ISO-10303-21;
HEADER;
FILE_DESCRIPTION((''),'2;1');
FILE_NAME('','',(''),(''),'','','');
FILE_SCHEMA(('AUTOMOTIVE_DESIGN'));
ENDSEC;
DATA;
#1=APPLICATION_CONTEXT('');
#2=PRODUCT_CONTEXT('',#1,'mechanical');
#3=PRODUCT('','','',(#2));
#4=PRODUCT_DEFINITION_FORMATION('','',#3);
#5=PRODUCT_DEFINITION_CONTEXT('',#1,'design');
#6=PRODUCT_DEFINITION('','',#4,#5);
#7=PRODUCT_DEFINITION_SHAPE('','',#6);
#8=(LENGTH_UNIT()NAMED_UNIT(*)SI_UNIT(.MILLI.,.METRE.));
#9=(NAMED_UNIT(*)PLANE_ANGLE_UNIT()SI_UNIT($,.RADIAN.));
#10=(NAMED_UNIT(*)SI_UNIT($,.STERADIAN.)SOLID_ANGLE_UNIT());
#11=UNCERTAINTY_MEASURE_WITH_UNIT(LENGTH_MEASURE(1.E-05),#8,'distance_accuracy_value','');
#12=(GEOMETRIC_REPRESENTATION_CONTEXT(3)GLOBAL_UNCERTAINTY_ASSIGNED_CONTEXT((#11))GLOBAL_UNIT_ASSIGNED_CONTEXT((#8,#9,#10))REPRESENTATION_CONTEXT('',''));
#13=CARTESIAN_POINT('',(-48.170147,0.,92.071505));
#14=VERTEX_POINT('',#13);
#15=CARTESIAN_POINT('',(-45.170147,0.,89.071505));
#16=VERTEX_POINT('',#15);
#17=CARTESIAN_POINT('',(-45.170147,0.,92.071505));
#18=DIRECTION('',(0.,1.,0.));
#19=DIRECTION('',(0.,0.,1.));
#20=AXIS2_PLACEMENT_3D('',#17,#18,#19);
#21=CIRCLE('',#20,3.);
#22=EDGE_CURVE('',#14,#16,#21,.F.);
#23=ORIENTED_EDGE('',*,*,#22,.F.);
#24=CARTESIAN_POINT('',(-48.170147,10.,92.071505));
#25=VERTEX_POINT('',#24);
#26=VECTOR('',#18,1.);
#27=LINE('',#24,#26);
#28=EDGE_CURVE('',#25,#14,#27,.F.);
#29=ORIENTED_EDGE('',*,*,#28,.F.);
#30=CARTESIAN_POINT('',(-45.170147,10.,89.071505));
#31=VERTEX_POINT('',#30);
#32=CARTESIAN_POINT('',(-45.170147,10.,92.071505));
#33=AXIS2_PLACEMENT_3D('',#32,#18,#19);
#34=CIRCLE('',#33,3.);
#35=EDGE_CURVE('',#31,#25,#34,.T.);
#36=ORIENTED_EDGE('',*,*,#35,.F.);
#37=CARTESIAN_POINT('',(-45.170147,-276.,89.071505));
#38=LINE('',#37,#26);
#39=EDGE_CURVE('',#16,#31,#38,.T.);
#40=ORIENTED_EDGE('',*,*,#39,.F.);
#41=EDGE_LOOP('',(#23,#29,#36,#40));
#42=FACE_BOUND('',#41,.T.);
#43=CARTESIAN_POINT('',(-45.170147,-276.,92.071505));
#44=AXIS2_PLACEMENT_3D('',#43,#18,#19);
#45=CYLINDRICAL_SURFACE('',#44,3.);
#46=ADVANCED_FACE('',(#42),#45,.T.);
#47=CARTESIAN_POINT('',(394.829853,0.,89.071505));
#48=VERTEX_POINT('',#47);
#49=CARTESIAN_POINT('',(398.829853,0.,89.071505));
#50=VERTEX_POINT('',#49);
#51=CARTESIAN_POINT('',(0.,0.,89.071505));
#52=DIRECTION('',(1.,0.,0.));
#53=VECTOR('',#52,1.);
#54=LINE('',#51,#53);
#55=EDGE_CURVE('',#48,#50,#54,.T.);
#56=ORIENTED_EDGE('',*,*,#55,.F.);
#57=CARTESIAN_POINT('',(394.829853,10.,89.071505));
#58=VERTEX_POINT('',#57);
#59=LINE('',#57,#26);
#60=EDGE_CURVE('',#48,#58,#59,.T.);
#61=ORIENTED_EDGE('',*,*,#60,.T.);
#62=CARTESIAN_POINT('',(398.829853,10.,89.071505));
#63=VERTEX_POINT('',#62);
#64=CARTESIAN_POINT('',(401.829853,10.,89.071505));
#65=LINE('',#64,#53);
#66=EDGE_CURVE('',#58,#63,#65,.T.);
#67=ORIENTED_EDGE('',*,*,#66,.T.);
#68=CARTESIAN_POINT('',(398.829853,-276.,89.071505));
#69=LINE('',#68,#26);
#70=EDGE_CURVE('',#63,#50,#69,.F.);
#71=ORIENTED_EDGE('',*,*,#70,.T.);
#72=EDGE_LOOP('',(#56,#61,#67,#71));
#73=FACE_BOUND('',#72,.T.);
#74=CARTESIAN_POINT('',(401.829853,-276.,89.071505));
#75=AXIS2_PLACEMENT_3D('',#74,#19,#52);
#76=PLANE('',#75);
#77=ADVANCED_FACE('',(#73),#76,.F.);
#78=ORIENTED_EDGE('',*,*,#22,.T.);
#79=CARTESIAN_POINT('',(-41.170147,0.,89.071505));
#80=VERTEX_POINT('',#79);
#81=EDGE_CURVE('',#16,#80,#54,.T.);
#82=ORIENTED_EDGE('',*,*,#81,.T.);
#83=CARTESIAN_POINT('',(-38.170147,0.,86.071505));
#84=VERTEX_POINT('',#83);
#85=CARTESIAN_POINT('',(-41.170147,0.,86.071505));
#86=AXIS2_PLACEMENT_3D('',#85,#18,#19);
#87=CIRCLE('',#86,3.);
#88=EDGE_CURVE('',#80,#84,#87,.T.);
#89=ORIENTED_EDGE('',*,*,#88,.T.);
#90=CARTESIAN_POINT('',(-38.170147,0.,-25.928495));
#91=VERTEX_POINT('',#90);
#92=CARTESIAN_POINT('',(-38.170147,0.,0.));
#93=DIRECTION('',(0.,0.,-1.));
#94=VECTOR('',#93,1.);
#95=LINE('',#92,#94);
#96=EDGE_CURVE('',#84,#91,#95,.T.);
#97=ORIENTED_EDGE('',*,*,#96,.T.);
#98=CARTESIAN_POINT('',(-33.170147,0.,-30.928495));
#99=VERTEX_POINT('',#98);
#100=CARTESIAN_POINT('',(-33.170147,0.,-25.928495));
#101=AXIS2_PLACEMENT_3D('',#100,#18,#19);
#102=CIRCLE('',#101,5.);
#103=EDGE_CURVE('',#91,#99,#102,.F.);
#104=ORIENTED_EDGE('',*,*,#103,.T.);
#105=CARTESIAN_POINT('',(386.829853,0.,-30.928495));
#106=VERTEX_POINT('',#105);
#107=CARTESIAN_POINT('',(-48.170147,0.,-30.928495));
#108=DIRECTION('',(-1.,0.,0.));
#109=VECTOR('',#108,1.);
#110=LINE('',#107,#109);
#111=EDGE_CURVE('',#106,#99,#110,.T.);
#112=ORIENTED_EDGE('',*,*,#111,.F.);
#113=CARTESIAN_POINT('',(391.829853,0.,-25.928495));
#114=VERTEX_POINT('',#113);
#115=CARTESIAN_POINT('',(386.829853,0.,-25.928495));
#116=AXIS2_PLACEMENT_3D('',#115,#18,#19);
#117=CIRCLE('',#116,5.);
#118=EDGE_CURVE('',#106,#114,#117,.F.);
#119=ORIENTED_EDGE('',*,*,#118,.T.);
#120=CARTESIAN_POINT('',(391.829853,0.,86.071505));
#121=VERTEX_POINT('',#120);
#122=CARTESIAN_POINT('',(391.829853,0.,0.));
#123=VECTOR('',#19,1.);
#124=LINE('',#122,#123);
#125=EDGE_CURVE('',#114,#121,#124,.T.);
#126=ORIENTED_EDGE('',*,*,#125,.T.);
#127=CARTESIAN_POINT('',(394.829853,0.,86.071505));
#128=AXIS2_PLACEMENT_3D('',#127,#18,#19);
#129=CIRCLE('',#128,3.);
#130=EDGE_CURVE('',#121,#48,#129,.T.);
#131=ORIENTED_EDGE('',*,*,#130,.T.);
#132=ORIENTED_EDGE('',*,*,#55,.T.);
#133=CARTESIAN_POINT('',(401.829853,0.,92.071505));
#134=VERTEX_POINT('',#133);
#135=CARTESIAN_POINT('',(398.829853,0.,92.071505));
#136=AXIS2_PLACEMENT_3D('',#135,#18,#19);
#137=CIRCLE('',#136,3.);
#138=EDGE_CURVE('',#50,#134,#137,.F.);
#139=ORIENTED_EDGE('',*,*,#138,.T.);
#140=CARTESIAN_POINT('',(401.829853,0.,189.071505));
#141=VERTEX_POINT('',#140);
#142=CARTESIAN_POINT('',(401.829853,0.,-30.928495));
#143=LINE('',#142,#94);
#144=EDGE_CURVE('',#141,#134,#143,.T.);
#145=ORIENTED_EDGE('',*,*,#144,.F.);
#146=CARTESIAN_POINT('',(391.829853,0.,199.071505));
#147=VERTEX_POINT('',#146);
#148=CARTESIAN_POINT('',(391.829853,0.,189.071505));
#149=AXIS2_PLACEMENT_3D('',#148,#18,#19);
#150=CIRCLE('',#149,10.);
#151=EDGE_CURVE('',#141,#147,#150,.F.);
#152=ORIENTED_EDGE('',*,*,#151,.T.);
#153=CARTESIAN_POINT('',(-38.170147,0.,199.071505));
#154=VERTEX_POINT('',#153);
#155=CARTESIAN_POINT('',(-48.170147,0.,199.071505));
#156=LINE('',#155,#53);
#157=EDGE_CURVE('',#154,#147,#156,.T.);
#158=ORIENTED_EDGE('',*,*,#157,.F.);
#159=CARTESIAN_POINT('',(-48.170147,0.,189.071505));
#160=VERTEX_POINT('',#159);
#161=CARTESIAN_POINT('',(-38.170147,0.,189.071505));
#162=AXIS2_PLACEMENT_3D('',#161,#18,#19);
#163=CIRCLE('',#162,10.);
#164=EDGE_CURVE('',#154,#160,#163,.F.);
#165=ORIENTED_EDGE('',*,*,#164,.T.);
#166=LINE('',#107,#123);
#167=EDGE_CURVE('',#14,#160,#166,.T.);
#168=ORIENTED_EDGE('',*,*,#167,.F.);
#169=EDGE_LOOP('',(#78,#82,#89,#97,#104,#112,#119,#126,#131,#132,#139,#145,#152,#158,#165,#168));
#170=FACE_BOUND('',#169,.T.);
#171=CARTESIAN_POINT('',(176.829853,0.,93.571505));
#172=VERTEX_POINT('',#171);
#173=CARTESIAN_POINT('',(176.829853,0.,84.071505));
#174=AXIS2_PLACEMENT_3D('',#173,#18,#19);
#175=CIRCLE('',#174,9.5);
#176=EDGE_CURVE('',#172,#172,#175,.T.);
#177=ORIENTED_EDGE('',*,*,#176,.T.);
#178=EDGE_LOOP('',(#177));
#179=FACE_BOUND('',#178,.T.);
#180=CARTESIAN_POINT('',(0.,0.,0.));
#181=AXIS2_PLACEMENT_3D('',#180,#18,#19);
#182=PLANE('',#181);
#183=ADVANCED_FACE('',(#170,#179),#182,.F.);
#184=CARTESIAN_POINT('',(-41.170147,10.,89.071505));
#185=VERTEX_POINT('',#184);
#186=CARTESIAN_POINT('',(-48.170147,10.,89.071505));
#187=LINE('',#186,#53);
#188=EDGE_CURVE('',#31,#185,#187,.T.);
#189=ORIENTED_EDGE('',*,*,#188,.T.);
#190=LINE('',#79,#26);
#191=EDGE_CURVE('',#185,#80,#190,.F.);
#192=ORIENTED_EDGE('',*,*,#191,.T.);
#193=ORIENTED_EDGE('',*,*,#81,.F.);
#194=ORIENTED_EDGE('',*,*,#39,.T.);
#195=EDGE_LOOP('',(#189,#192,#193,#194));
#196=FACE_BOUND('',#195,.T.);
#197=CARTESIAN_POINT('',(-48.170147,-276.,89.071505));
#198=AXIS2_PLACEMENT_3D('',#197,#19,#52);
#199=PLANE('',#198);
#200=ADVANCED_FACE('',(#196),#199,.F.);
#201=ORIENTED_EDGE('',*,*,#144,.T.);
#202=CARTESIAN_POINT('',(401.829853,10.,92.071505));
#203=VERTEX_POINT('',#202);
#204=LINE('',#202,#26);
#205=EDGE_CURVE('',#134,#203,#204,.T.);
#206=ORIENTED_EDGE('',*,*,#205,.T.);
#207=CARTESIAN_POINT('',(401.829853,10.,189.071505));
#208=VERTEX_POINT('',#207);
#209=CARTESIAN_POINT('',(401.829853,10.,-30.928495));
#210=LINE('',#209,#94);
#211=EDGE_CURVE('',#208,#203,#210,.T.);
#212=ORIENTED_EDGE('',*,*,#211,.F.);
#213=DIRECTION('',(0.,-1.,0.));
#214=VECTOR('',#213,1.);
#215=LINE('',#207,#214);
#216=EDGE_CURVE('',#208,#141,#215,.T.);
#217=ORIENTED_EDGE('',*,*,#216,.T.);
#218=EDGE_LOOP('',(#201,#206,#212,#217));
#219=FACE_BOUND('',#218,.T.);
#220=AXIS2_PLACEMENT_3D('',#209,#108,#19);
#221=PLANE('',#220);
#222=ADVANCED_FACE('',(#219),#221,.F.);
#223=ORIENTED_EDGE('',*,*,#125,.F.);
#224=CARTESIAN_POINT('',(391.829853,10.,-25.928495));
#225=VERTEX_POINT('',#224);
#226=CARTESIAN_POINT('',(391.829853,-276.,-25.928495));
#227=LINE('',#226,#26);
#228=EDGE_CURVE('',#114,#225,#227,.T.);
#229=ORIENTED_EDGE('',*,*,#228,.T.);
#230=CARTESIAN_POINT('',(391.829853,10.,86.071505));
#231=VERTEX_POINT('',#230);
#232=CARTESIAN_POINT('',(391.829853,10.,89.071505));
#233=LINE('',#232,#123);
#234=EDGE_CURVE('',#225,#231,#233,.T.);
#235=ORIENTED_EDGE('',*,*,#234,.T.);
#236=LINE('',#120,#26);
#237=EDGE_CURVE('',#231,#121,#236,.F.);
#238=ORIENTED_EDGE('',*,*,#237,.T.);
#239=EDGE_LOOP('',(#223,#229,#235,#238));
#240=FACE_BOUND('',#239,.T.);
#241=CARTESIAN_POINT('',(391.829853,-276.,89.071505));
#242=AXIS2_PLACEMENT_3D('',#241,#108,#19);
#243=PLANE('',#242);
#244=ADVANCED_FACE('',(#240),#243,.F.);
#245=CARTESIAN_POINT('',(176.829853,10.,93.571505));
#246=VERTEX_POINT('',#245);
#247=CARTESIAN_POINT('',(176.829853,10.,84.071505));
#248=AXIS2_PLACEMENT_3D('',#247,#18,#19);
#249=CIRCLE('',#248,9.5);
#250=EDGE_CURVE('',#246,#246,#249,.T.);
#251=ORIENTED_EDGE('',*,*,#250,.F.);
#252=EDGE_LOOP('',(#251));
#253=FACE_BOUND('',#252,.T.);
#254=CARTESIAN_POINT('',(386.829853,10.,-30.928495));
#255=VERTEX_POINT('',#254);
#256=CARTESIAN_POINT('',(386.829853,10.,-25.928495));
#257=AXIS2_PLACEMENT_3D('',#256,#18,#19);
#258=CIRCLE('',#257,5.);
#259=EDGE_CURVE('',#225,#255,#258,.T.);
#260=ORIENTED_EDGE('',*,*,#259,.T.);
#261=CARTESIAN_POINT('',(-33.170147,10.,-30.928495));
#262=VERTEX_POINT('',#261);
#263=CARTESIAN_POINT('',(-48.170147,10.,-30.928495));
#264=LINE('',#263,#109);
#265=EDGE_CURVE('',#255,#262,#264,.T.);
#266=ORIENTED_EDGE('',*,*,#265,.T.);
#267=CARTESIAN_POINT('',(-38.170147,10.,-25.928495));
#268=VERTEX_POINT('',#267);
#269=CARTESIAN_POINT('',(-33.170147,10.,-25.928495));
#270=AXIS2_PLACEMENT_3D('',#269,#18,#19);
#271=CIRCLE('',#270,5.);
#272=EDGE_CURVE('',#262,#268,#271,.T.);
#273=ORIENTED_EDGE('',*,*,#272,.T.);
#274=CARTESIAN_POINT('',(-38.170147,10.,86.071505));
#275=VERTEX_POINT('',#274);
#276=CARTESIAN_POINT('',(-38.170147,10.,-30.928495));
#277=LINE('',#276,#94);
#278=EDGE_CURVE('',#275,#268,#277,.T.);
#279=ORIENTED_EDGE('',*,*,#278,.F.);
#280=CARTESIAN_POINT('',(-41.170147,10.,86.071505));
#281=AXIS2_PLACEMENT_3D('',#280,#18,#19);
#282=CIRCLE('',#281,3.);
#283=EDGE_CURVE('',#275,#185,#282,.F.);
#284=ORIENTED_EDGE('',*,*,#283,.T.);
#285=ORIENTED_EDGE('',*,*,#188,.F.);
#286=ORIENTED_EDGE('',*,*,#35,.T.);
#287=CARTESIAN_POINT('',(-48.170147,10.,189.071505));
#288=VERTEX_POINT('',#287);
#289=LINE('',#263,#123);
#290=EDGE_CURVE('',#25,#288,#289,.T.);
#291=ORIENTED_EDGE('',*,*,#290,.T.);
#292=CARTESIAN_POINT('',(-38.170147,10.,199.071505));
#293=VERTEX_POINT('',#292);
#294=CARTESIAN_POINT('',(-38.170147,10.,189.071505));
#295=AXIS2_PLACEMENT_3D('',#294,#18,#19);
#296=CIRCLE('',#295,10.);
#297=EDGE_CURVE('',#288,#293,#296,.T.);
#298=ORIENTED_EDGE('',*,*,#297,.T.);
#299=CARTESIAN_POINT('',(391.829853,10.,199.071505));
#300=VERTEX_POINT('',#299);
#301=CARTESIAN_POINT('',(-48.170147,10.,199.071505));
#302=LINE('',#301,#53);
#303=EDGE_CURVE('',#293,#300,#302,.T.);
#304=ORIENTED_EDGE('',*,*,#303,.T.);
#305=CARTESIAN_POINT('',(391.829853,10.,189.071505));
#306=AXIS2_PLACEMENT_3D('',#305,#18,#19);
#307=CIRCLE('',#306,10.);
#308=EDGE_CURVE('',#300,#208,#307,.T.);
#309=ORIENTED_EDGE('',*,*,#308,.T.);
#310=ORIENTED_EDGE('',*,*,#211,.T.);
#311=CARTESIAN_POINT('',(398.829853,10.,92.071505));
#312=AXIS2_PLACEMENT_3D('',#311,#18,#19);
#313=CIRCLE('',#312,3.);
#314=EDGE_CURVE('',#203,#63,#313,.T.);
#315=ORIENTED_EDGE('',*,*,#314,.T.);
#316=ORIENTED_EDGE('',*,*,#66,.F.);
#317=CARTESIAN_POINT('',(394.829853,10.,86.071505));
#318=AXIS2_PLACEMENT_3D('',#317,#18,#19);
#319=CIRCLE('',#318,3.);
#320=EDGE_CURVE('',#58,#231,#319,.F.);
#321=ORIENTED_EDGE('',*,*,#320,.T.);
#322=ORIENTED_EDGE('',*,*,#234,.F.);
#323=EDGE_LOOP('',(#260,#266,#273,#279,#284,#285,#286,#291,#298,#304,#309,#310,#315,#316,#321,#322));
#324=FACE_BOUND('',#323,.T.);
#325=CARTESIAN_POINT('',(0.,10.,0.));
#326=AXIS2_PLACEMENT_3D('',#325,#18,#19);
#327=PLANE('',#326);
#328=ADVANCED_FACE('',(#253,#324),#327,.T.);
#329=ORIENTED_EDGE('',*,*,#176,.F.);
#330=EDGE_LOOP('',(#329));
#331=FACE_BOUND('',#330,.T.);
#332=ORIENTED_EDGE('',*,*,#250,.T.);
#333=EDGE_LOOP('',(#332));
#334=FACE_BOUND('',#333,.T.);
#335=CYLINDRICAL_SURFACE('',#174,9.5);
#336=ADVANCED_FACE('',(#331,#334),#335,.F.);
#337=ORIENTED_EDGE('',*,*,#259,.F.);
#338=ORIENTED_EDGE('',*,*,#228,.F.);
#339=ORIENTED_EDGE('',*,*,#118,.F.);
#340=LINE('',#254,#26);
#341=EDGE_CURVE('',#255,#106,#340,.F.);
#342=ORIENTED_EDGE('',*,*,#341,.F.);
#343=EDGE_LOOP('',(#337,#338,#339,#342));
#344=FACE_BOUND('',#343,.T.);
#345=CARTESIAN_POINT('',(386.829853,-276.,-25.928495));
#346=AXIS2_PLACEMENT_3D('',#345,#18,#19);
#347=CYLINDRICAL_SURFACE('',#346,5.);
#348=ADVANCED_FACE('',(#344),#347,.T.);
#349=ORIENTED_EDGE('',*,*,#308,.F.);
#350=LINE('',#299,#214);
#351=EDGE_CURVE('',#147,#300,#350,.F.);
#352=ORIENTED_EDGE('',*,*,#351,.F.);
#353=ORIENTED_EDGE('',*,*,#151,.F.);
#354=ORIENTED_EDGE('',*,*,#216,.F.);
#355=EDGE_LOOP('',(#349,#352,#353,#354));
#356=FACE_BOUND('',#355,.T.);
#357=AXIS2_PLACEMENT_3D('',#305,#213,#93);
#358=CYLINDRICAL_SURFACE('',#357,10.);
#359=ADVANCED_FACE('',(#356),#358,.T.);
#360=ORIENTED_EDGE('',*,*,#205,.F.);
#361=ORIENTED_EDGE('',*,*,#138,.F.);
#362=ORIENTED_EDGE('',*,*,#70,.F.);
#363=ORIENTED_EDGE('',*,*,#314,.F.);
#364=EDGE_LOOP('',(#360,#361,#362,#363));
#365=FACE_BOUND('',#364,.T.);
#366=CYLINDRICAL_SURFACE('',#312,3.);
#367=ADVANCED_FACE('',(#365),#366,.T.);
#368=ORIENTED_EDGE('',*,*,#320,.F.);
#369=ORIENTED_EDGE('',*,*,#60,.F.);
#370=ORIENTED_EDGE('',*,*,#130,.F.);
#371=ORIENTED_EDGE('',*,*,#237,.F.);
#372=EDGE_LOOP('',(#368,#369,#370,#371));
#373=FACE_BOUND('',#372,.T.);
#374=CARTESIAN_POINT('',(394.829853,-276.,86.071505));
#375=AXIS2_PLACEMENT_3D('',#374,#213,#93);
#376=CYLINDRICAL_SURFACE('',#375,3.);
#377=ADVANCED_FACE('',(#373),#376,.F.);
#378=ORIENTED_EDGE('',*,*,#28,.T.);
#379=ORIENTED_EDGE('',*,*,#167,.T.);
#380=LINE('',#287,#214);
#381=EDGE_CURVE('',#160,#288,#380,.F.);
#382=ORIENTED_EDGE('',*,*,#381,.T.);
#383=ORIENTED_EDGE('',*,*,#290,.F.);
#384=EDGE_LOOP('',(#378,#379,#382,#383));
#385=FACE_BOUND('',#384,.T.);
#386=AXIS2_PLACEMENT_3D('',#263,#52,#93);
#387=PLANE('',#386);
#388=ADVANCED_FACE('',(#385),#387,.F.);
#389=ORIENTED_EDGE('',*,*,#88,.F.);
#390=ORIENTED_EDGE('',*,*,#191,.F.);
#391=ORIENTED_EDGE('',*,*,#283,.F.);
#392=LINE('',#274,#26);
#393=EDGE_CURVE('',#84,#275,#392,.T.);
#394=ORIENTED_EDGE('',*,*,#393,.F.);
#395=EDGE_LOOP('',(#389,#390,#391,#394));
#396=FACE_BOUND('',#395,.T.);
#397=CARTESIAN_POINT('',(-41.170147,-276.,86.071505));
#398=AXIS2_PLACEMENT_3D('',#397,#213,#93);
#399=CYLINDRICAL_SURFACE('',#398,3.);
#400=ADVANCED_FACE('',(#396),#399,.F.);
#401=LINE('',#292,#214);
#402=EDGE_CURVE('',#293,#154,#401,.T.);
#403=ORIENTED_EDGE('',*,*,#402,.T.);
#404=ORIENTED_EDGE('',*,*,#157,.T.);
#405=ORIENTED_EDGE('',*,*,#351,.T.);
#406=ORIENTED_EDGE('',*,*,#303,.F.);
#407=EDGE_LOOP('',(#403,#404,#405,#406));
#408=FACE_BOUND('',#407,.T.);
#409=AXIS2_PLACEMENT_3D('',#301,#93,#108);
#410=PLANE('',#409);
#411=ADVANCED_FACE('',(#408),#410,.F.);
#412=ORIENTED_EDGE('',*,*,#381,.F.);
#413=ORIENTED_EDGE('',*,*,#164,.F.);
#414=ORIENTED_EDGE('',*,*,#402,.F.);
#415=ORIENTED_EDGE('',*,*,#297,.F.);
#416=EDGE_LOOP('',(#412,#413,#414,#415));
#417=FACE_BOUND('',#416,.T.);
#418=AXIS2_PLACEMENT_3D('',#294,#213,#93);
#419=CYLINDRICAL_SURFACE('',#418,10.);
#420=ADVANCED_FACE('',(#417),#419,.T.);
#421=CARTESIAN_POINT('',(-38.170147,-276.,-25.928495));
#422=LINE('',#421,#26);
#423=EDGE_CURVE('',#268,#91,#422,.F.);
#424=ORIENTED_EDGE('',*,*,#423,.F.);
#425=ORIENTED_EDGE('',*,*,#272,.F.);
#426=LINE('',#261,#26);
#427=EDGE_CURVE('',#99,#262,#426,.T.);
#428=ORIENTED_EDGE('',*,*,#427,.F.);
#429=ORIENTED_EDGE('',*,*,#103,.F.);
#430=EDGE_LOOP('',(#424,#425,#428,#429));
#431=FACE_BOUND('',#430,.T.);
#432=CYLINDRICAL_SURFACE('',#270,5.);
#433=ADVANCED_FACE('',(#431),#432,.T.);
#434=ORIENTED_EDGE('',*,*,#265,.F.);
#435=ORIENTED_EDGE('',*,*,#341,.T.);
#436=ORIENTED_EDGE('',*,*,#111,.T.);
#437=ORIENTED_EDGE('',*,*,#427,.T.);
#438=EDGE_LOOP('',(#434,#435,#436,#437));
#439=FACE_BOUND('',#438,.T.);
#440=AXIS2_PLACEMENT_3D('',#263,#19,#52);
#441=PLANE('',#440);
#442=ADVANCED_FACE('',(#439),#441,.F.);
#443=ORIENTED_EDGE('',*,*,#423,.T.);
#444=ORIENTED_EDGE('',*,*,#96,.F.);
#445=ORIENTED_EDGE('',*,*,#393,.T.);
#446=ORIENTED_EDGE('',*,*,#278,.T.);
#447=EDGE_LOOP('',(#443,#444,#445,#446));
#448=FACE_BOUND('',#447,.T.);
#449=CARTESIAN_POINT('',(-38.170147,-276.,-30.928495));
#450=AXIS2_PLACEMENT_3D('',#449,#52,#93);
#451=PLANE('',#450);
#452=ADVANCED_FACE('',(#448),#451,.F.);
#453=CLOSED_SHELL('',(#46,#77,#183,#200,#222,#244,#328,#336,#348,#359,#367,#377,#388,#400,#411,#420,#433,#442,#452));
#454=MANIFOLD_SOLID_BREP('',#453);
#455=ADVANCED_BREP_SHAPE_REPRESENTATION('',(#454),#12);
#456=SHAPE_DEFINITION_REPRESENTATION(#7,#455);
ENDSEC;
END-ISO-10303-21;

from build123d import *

# Parameters (mm, degrees)
SKETCH2_W           = 450
SKETCH2_H           = 230
BOSS_EXTRUDE2_DEPTH = 10
SKETCH4_W           = 10
SKETCH4_H           = 120
CUT_EXTRUDE2_DEPTH  = 286
FILLET1_R           = 10
FILLET7_R           = 3
FILLET8_R           = 5
FILLET9_R           = 3
FILLET10_R          = 10
SKETCH5_R           = 9.5
CUT_EXTRUDE4_DEPTH  = 10


with BuildPart() as part:
    # Sketch2 → Boss-Extrude2 (new body)
    with BuildSketch(Plane(origin=(0, 0, 0), x_dir=(1, 0, 0), z_dir=(0, 1, 0))):
        with Locations((176.829853391, -84.071504635)):
            Rectangle(SKETCH2_W, SKETCH2_H)
    extrude(amount=BOSS_EXTRUDE2_DEPTH)

    # Sketch4 → Cut-Extrude2 (cut)
    with BuildSketch(Plane(origin=(0, 10, 0), x_dir=(1, 0, 0), z_dir=(0, 1, 0))):
        with Locations((-43.170146609, -29.071504635)):
            Rectangle(SKETCH4_W, SKETCH4_H)
        with Locations((396.829853391, -29.071504635)):
            Rectangle(SKETCH4_W, SKETCH4_H)
    extrude(amount=-CUT_EXTRUDE2_DEPTH, mode=Mode.SUBTRACT)

    # Fillet1
    fillet1_edges = [part.edges().sort_by_distance(p)[0] for p in [
        (-48.170146609, 5, 199.071504635),
    ]]
    fillet(fillet1_edges, radius=FILLET1_R)

    # Fillet7
    fillet7_edges = [part.edges().sort_by_distance(p)[0] for p in [
        (-48.170146609, 5, 89.071504635),
        (-38.170146609, 5, 89.071504635),
    ]]
    fillet(fillet7_edges, radius=FILLET7_R)

    # Fillet8
    fillet8_edges = [part.edges().sort_by_distance(p)[0] for p in [
        (-38.170146609, 5, -30.928495365),
        (391.829853391, 5, -30.928495365),
    ]]
    fillet(fillet8_edges, radius=FILLET8_R)

    # Fillet9
    fillet9_edges = [part.edges().sort_by_distance(p)[0] for p in [
        (401.829853391, 5, 89.071504635),
        (391.829853391, 5, 89.071504635),
    ]]
    fillet(fillet9_edges, radius=FILLET9_R)

    # Fillet10
    fillet10_edges = [part.edges().sort_by_distance(p)[0] for p in [
        (401.829853391, 5, 199.071504635),
    ]]
    fillet(fillet10_edges, radius=FILLET10_R)

    # Sketch5 → Cut-Extrude4 (cut)
    with BuildSketch(Plane(origin=(0, 10, 0), x_dir=(1, 0, 0), z_dir=(0, 1, 0))):
        with Locations(Location((176.829853391, -84.071504635, 0), (0, 0, 270))):
            Circle(SKETCH5_R)
    extrude(amount=-CUT_EXTRUDE4_DEPTH, mode=Mode.SUBTRACT)


solid = part.part
